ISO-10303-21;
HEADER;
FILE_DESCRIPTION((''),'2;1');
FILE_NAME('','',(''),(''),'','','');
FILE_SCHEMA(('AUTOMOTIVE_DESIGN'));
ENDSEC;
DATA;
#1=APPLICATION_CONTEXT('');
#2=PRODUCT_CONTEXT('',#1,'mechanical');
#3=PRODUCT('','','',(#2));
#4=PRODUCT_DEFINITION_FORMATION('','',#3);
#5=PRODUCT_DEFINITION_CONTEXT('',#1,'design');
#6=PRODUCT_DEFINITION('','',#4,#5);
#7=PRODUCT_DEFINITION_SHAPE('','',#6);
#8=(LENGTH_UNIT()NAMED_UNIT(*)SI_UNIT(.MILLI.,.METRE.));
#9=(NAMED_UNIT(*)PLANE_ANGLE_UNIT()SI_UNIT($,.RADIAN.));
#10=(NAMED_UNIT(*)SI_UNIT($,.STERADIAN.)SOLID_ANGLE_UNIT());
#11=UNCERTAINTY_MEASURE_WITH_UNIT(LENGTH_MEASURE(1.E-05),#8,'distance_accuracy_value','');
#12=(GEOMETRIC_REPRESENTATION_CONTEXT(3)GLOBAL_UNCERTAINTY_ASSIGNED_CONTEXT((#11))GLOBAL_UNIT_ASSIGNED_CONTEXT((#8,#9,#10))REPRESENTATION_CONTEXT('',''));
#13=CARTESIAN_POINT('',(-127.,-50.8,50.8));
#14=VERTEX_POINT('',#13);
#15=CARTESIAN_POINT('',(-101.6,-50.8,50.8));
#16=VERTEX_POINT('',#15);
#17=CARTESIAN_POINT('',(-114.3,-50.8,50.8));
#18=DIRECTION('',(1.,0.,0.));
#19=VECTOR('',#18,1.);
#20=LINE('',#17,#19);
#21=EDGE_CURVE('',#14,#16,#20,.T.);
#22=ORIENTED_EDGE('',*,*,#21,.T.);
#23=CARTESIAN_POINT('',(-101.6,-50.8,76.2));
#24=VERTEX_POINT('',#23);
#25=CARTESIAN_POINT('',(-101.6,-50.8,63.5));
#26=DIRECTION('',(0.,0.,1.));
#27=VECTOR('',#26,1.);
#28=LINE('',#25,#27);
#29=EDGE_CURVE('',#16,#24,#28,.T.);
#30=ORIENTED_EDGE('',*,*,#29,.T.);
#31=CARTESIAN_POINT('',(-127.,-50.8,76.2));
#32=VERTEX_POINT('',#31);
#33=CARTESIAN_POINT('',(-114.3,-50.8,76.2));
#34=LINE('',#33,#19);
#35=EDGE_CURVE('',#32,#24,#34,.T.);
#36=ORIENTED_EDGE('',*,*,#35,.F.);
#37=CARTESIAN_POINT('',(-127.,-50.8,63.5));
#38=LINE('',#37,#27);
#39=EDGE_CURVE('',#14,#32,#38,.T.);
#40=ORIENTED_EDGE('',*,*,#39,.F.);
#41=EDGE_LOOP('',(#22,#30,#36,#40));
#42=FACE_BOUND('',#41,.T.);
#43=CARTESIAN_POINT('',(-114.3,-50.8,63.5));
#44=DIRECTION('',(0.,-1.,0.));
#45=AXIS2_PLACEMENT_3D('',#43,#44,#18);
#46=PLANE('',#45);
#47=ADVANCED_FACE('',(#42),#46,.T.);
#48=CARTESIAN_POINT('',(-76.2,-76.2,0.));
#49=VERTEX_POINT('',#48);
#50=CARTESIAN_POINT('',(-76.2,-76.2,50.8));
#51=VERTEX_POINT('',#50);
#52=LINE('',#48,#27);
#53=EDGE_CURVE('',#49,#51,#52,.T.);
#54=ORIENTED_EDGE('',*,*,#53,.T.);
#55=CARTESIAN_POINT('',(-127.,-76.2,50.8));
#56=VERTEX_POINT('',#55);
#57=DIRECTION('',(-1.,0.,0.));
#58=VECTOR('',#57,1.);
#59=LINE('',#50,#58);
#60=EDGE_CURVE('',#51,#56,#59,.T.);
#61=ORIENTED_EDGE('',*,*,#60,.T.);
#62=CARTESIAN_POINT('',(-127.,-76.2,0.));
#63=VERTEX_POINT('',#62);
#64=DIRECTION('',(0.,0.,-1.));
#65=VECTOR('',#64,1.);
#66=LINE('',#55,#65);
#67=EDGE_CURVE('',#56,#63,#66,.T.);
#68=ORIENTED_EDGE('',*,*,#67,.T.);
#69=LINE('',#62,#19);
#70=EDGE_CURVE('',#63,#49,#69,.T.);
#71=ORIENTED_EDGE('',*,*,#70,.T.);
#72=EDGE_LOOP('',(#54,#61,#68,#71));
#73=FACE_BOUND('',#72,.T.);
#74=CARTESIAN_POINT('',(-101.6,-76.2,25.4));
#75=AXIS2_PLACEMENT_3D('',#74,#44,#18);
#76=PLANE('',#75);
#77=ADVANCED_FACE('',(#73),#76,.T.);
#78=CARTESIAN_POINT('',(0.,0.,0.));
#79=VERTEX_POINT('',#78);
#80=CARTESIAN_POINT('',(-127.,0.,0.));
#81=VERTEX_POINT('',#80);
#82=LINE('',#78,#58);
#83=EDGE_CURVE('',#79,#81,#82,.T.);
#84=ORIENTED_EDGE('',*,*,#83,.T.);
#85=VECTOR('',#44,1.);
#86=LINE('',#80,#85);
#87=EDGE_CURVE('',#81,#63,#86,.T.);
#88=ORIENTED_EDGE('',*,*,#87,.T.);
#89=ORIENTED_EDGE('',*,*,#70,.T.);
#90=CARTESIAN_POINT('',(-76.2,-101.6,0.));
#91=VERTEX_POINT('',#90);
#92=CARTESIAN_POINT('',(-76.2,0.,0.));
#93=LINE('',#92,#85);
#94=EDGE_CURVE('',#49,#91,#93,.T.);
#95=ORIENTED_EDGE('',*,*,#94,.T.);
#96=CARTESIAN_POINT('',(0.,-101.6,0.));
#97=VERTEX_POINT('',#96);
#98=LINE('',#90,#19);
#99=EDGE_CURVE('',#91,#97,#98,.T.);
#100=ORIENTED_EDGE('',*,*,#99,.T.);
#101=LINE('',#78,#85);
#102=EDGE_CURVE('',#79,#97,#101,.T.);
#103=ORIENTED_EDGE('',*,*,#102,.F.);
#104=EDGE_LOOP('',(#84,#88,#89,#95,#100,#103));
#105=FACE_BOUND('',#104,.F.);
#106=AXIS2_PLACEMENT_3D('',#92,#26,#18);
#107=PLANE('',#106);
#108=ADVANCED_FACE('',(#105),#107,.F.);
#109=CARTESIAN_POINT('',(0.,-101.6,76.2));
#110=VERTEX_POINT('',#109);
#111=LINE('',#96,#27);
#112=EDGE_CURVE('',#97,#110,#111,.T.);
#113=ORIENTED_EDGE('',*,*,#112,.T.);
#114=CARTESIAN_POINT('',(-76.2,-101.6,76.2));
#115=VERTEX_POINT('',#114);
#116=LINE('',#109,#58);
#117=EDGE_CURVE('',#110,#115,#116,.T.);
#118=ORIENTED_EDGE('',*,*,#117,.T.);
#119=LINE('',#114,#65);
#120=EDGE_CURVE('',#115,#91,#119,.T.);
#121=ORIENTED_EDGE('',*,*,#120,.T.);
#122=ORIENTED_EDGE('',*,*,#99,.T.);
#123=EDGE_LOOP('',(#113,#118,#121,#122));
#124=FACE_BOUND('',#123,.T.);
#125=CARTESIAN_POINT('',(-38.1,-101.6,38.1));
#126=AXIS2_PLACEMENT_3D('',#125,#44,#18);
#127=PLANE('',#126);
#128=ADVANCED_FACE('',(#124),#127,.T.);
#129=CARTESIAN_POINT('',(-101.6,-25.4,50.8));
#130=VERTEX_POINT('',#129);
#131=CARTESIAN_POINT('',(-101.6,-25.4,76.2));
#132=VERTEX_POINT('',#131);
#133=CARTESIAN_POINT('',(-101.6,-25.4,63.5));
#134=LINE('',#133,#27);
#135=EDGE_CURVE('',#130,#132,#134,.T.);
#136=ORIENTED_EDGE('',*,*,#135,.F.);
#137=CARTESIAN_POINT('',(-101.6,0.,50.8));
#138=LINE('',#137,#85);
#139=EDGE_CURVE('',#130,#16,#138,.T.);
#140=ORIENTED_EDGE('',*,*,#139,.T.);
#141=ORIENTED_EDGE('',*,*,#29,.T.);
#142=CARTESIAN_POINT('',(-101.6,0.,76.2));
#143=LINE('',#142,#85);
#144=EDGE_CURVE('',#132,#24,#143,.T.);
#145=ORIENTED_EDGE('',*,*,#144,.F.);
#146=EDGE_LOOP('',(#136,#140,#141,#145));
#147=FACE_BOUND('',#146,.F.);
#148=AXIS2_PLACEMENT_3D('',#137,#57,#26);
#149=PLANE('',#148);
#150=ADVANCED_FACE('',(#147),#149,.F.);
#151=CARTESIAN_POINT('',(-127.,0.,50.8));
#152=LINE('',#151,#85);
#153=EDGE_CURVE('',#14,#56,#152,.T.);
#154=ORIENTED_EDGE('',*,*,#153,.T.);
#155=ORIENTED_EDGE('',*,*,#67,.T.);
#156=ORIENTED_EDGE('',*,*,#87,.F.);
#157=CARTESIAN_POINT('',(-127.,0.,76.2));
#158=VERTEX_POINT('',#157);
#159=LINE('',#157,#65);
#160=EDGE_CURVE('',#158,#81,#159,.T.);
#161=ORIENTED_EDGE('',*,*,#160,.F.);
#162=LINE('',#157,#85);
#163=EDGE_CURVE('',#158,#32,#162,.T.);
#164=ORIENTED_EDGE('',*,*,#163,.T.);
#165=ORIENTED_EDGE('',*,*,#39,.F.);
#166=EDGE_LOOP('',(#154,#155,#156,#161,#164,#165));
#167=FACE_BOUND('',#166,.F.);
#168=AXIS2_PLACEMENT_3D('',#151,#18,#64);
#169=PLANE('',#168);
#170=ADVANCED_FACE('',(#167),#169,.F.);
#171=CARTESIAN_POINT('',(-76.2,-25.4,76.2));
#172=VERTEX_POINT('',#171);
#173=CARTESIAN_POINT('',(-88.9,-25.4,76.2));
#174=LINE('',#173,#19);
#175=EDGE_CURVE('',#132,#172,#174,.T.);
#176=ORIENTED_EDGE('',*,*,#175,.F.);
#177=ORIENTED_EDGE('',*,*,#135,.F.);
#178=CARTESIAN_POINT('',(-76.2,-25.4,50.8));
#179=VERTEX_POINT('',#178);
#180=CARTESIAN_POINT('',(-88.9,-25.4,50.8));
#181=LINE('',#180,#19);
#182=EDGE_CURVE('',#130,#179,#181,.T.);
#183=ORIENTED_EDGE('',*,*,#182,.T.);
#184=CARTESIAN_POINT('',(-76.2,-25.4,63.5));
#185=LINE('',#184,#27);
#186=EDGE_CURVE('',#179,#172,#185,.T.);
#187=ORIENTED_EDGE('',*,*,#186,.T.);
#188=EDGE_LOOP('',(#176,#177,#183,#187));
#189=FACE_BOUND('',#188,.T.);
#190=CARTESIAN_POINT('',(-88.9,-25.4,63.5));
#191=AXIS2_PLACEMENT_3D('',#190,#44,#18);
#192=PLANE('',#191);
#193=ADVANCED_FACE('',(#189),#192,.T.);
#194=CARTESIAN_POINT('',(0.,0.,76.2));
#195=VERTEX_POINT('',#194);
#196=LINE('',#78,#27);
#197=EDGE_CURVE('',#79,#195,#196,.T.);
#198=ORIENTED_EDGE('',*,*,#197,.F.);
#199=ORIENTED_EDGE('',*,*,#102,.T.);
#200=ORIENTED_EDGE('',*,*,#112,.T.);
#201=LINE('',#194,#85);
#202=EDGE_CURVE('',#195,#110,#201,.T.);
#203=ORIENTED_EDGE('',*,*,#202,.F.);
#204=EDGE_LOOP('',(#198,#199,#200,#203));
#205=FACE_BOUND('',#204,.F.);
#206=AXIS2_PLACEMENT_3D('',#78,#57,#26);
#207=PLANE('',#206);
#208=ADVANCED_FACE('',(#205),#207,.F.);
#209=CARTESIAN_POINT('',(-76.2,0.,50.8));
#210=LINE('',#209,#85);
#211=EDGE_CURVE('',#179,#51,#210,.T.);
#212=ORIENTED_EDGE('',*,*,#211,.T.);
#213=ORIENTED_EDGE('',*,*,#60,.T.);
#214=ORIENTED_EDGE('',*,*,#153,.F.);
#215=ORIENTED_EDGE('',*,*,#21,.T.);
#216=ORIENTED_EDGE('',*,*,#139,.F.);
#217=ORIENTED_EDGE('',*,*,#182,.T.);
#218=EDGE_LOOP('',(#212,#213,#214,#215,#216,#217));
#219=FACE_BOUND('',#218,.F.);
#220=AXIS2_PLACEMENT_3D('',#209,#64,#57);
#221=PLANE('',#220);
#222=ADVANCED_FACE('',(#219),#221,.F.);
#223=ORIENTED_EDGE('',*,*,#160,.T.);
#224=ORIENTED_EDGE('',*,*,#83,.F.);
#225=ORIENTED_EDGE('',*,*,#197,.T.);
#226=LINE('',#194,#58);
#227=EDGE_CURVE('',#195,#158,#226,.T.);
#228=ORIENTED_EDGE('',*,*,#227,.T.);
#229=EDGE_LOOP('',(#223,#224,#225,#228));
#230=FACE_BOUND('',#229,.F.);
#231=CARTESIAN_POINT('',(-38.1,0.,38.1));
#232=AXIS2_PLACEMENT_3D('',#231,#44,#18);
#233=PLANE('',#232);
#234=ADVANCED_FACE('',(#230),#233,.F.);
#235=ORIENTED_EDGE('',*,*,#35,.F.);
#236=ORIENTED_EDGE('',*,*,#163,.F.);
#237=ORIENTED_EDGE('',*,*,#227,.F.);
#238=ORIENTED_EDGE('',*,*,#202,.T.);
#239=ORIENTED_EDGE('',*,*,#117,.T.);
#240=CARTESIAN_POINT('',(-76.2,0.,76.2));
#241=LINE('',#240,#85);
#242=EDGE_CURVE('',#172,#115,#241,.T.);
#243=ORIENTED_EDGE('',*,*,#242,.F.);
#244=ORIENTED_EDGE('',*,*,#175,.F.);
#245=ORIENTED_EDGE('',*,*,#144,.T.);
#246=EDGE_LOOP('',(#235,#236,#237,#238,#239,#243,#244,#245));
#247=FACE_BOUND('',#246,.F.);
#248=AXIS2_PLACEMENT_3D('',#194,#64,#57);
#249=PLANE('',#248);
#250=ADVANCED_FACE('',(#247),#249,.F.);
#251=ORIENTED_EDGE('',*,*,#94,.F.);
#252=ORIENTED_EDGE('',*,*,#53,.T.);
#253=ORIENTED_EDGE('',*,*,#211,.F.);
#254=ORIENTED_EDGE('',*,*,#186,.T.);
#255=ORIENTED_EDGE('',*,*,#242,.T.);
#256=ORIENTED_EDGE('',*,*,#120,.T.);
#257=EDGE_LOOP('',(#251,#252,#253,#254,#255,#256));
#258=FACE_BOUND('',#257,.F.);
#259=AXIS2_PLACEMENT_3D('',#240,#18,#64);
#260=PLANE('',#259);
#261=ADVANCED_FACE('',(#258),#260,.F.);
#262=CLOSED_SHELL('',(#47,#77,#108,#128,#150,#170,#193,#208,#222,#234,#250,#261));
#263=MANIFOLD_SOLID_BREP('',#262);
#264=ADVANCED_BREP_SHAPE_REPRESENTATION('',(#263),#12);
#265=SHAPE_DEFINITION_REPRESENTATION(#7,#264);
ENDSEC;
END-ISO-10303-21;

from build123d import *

# Parameters (mm, degrees)
F0_W     = 25.4
F0_H     = 25.4
F1_DEPTH = 25.4
F2_DEPTH = 50.8
F3_DEPTH = 76.2
F4_DEPTH = 101.6


with BuildPart() as f1:
    # F0 (on Front) → F1 (new body)
    with BuildSketch(Plane.XZ):
        with Locations((-88.9, 63.5)):
            Rectangle(F0_W, F0_H)
    extrude(amount=F1_DEPTH)

    # F0 (on Front) → F2 (join)
    with BuildSketch(Plane.XZ):
        with Locations((-114.3, 63.5)):
            Rectangle(F0_W, F0_H)
    extrude(amount=F2_DEPTH)

    # F0 (on Front) → F3 (join)
    with BuildSketch(Plane.XZ):
        Polygon((-101.6, 50.8), (-127, 50.8), (-127, 0), (-76.2, 0), (-76.2, 50.8), align=None)
    extrude(amount=F3_DEPTH)

    # F0 (on Front) → F4 (join)
    with BuildSketch(Plane.XZ):
        Polygon((0, 76.2), (-76.2, 76.2), (-76.2, 50.8), (-76.2, 0), (0, 0), align=None)
    extrude(amount=F4_DEPTH)


solid = f1.part
